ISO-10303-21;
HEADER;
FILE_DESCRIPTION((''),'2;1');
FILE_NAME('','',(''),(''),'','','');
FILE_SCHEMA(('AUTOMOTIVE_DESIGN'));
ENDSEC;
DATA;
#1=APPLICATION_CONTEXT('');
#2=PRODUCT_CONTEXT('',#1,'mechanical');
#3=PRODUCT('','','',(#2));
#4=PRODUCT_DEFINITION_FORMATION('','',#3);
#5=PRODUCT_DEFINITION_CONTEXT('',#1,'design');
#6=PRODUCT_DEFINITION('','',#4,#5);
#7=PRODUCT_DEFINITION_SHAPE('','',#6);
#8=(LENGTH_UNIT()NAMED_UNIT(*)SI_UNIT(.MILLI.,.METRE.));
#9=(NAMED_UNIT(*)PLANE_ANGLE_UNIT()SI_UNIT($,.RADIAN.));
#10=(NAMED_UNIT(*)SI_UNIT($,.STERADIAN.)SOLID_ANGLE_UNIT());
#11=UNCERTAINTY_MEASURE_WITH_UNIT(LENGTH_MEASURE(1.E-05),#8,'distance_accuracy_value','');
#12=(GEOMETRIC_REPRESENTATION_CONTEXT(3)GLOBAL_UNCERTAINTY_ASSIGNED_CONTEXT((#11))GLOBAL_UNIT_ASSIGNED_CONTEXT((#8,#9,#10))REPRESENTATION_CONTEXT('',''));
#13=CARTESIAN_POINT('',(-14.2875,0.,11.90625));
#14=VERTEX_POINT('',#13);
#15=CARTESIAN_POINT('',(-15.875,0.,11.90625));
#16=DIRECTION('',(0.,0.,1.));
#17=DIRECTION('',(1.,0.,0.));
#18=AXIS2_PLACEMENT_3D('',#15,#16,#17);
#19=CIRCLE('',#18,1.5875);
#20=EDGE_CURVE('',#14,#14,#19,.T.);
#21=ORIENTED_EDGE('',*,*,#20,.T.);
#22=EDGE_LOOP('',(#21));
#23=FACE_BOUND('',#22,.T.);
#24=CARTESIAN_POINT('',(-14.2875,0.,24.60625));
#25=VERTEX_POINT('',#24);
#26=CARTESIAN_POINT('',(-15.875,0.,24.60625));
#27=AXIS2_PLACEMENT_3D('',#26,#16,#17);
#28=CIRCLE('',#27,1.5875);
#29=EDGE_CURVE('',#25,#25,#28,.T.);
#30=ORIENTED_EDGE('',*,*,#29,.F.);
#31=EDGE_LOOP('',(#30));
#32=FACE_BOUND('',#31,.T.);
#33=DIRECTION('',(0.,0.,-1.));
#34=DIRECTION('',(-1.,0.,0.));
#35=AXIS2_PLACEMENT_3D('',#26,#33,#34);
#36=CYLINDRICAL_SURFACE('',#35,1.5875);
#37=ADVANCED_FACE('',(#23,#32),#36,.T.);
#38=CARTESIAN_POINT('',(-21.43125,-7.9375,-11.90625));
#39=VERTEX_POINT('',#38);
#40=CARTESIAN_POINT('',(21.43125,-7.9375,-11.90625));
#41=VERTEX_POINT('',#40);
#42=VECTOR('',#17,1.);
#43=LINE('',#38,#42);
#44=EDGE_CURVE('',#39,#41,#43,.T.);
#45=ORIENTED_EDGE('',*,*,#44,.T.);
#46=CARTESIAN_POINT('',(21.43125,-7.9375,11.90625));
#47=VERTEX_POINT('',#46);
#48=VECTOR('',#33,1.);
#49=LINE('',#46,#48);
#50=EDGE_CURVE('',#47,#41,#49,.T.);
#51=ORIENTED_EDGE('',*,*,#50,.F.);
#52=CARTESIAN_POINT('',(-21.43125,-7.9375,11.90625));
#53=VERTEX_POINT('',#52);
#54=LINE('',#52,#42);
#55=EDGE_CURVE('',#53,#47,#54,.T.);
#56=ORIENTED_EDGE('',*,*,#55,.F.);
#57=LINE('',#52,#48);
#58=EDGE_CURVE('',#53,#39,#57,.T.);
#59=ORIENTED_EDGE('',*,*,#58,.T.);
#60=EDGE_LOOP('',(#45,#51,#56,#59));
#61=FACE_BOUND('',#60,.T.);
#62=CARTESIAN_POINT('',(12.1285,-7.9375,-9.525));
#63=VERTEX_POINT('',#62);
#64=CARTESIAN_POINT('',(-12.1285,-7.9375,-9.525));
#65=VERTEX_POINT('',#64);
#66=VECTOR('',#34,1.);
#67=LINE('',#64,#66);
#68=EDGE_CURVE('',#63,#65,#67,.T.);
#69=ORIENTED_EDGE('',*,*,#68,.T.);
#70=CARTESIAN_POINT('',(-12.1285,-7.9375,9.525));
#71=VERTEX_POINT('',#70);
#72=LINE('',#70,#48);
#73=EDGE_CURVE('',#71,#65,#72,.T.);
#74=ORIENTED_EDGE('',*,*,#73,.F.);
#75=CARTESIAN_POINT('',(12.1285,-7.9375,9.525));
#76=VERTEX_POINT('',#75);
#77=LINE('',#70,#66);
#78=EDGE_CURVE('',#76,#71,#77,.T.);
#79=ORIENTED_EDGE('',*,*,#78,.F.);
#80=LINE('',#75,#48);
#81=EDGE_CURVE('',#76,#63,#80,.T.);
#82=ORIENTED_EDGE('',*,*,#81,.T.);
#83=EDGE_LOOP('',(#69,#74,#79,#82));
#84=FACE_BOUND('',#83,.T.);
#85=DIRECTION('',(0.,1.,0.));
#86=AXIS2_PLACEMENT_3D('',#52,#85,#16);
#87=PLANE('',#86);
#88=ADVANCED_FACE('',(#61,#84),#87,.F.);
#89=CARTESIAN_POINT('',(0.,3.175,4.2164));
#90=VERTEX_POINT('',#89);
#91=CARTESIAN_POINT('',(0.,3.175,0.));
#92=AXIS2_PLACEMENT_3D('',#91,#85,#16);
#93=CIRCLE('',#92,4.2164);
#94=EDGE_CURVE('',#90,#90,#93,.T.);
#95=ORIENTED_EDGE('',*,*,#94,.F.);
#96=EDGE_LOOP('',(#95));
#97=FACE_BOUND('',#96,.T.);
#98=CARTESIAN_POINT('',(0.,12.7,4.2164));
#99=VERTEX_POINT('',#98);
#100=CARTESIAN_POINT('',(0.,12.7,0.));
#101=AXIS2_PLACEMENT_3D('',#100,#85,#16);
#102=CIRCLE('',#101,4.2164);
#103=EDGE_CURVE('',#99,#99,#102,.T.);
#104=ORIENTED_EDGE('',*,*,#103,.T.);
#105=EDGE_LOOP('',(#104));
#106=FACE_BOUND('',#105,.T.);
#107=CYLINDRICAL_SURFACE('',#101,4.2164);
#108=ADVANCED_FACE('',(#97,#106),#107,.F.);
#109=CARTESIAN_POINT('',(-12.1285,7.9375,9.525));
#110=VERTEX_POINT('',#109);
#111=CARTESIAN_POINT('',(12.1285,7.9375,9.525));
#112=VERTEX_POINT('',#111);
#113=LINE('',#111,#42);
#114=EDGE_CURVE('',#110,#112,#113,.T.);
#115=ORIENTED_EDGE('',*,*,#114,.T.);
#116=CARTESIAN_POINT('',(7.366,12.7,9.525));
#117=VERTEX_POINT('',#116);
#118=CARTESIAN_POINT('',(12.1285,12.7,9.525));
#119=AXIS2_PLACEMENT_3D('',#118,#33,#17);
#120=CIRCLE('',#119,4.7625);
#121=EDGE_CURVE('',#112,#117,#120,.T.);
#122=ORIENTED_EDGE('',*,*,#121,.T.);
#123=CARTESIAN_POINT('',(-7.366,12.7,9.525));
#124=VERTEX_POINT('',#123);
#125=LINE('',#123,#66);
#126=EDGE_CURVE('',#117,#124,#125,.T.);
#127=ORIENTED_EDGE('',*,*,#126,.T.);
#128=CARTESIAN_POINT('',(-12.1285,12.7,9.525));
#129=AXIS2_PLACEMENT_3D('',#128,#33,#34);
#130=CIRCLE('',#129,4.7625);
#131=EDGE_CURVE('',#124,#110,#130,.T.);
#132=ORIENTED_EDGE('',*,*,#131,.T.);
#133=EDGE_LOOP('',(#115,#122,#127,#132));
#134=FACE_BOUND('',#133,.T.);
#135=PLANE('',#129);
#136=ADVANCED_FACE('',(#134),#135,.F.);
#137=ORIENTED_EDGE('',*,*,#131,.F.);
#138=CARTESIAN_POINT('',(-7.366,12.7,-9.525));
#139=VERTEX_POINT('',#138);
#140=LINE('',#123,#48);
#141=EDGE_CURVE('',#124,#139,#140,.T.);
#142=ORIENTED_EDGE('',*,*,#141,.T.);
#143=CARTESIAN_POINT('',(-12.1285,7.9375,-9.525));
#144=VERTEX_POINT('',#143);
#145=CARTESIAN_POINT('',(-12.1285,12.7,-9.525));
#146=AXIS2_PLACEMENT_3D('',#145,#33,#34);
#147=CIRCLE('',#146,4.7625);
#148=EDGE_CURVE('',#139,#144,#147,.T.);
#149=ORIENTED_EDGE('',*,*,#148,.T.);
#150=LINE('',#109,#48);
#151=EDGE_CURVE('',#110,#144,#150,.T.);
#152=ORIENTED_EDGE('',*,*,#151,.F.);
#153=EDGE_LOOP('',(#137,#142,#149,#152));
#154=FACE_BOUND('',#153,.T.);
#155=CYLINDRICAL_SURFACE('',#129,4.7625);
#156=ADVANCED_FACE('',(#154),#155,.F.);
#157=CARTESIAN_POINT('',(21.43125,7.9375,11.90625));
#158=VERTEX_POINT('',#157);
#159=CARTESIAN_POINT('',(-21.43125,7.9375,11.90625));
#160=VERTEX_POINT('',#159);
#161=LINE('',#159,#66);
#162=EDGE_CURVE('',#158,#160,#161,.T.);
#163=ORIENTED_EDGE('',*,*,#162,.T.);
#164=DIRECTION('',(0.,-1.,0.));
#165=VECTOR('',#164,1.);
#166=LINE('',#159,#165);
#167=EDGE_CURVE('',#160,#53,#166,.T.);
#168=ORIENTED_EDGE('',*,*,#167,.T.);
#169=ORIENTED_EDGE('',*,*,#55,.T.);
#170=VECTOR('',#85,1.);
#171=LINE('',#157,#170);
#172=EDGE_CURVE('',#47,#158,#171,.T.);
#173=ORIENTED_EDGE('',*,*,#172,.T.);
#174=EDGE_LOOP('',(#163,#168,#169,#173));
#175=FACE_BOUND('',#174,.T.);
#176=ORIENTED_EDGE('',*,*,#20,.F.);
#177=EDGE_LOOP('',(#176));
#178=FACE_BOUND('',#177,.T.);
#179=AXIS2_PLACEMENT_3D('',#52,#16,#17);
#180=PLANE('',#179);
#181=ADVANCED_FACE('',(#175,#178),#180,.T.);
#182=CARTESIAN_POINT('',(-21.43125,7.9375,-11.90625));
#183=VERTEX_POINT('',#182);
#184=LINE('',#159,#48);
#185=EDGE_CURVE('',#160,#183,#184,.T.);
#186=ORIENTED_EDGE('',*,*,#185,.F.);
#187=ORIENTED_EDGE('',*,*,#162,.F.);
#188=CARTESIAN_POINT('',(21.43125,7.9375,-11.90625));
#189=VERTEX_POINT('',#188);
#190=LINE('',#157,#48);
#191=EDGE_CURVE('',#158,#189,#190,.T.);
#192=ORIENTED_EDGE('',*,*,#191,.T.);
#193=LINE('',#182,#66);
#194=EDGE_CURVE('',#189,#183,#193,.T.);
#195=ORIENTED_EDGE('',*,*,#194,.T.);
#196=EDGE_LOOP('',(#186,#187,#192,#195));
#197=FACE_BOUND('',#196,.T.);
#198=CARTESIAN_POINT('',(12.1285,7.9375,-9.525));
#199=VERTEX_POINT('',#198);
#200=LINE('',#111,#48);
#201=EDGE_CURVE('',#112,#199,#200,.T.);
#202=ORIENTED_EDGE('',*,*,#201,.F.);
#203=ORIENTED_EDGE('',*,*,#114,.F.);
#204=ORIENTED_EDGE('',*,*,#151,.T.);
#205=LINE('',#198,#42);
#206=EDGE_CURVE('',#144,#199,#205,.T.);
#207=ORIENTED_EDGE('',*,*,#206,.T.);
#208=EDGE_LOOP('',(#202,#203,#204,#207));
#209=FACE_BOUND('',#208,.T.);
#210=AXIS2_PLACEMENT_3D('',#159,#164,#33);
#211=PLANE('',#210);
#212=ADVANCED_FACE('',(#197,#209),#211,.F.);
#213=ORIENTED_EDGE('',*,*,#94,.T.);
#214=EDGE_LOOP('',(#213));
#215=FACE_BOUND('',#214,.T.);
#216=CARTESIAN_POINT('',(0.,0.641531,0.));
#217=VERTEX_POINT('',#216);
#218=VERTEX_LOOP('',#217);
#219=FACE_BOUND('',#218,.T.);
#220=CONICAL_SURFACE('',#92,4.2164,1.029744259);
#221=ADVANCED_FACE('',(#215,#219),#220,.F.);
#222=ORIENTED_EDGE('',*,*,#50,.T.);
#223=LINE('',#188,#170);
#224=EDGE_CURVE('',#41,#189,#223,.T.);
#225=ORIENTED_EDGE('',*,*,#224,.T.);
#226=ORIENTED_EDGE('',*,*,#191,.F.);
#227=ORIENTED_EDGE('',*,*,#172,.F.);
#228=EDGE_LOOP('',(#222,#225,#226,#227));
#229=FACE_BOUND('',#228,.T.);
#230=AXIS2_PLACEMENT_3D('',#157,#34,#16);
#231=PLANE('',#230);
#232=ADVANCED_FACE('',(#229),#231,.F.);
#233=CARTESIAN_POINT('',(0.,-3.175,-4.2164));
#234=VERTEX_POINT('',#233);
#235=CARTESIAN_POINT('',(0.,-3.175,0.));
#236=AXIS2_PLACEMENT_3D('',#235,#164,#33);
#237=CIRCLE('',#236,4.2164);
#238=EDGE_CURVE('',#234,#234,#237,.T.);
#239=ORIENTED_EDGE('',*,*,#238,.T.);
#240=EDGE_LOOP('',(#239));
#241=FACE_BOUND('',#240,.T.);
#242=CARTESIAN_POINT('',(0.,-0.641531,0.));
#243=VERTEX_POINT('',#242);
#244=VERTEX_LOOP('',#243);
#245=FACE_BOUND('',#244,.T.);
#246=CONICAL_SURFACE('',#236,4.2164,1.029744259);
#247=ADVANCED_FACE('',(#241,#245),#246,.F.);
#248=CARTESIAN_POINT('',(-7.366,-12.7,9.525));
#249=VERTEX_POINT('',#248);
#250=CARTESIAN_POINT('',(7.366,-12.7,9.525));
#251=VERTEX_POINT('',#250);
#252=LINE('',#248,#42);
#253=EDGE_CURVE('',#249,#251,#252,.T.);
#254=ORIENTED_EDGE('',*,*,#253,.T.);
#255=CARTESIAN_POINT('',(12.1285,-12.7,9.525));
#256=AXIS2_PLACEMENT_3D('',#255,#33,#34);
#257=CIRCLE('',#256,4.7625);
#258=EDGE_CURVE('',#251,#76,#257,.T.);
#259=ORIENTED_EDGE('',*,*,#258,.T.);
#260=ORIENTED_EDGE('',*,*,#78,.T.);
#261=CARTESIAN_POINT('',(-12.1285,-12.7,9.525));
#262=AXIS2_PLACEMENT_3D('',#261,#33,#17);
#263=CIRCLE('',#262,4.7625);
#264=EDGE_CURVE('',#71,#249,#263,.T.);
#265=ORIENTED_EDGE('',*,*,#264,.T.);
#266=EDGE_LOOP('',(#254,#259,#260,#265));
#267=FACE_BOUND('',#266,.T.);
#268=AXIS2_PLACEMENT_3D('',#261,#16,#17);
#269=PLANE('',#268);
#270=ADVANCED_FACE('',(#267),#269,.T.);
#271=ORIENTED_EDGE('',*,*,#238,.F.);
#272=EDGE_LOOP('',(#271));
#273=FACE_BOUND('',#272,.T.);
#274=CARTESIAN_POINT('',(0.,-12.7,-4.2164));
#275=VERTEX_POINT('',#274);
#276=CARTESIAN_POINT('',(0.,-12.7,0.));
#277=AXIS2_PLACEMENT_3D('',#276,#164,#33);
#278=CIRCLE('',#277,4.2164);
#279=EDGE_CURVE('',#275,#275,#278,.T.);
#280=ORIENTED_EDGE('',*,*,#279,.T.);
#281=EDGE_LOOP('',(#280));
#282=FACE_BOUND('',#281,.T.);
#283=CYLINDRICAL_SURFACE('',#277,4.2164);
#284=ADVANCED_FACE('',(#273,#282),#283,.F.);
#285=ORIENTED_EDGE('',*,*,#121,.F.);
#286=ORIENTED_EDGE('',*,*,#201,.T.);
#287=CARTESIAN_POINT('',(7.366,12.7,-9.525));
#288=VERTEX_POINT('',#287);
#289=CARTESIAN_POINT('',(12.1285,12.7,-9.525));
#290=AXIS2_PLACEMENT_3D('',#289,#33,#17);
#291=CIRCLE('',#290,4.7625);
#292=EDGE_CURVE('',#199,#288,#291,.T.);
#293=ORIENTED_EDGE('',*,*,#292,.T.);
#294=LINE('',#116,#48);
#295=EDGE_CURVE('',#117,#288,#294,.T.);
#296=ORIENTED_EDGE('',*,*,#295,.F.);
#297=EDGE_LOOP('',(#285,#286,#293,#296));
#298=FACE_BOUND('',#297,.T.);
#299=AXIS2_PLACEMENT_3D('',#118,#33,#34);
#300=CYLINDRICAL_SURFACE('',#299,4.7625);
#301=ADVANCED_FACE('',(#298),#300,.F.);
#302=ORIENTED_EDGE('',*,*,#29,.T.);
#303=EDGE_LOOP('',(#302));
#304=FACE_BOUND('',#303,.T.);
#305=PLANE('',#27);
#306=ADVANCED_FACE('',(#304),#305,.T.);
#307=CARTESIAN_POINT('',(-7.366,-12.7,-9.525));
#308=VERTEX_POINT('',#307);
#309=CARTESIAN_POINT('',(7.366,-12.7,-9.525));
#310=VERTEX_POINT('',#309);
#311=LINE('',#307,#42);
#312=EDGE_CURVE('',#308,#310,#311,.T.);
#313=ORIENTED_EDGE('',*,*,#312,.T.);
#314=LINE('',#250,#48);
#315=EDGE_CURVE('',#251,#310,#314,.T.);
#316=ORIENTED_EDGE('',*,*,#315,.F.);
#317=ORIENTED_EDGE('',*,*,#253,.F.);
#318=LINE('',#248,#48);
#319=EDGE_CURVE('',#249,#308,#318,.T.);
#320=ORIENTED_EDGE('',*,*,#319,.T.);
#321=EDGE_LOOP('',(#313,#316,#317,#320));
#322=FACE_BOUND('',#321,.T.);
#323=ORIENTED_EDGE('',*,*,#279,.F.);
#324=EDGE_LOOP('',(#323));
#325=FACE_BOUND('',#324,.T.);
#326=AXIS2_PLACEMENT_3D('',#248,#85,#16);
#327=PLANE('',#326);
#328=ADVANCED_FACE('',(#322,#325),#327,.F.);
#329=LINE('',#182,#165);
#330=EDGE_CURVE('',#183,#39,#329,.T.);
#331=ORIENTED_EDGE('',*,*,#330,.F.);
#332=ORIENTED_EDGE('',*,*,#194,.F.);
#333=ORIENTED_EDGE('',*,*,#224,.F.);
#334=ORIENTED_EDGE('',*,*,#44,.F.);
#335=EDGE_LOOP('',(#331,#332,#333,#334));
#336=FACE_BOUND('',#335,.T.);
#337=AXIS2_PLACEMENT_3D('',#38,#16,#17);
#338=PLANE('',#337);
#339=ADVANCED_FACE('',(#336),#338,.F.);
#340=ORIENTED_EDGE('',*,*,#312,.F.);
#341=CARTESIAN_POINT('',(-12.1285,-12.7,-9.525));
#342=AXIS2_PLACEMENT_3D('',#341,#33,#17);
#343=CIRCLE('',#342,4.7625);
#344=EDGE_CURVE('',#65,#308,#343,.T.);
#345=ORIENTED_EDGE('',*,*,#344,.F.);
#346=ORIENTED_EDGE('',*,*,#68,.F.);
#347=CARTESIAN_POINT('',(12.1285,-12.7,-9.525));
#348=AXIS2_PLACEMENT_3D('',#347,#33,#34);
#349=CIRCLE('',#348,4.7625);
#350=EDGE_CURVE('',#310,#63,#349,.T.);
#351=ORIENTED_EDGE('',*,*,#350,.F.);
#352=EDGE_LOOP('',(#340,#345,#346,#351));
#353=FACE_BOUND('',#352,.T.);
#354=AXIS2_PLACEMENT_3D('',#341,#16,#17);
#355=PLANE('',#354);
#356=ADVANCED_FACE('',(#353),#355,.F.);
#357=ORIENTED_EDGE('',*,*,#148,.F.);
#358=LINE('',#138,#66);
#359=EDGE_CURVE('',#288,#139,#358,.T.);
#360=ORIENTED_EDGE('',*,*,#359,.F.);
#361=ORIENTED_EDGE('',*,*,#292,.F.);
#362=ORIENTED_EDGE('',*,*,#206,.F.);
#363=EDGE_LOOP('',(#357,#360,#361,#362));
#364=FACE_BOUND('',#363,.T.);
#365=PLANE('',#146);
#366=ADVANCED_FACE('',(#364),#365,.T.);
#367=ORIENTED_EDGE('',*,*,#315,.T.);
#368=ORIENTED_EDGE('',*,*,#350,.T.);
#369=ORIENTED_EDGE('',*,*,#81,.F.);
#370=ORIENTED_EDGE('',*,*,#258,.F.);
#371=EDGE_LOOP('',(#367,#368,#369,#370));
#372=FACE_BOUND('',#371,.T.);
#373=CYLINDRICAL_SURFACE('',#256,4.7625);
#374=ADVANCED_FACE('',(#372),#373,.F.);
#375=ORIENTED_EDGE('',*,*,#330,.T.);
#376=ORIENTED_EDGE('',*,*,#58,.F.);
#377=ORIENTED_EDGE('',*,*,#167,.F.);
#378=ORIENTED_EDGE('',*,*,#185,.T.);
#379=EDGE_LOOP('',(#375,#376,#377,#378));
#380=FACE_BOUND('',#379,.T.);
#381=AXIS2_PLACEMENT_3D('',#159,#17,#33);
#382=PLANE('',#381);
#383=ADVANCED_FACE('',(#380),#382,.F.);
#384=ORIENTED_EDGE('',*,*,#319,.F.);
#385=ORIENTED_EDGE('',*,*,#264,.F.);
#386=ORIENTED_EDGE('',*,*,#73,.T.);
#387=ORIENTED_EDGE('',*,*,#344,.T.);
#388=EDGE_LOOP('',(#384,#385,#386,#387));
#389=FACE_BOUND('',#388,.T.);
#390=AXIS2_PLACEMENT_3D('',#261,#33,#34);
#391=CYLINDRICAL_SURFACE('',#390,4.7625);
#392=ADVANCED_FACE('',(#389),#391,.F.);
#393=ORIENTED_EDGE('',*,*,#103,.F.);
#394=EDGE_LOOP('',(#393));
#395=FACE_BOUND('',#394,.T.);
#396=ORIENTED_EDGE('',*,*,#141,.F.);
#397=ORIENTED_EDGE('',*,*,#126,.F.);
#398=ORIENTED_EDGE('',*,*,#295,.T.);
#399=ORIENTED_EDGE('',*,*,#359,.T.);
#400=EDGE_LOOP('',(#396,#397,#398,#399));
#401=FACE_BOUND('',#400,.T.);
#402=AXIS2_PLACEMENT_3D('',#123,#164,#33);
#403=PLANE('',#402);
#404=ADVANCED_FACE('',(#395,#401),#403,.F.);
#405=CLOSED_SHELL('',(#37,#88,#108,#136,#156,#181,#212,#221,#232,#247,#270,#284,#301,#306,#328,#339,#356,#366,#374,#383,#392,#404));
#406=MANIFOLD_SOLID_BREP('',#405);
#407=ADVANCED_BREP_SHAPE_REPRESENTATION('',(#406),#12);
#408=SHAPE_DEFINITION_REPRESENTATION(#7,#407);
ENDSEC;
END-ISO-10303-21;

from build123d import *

# Parameters (mm, degrees)
SKETCH1_W                   = 42.8625
SKETCH1_H                   = 15.875
EXTRUDE1_DEPTH              = 11.90625
EXTRUDE2_DEPTH              = 9.525
F_3_8_24_TAPPED_HOLE1_D     = 8.4328
F_3_8_24_TAPPED_HOLE1_DEPTH = 9.525
F_3_8_24_TAPPED_HOLE1_TIP   = 2.533468714
F_3_8_24_TAPPED_HOLE2_D     = 8.4328
F_3_8_24_TAPPED_HOLE2_DEPTH = 9.525
F_3_8_24_TAPPED_HOLE2_TIP   = 2.533468714
SKETCH7_R                   = 1.5875
EXTRUDE3_DEPTH              = 12.7


with BuildPart() as part:
    # Sketch1 → Extrude1 (new, symmetric)
    with BuildSketch(Plane.XY):
        Rectangle(SKETCH1_W, SKETCH1_H)
    extrude(amount=EXTRUDE1_DEPTH, both=True)

    # Sketch2 → Extrude2 (add, symmetric)
    with BuildSketch(Plane.XY):
        with BuildLine():
            Line((-7.366, 12.7), (7.366, 12.7))
            ThreePointArc((7.366, 12.7), (8.760903955, 9.332403955), (12.1285, 7.9375))
            Line((12.1285, 7.9375), (-12.1285, 7.9375))
            ThreePointArc((-12.1285, 7.9375), (-8.760903955, 9.332403955), (-7.366, 12.7))
        make_face()
        with BuildLine():
            Line((-7.366, -12.7), (7.366, -12.7))
            ThreePointArc((7.366, -12.7), (8.760903955, -9.332403955), (12.1285, -7.9375))
            Line((12.1285, -7.9375), (-12.1285, -7.9375))
            ThreePointArc((-12.1285, -7.9375), (-8.760903955, -9.332403955), (-7.366, -12.7))
        make_face()
    extrude(amount=EXTRUDE2_DEPTH, both=True)

    # 3/8-24 Tapped Hole1
    with Locations(Plane(origin=(0, 12.7, 0), x_dir=(-1, 0, 0), z_dir=(0, 1, 0))):
        with Locations((0, 0)):
            Hole(F_3_8_24_TAPPED_HOLE1_D / 2, depth=F_3_8_24_TAPPED_HOLE1_DEPTH)
            with Locations((0, 0, -(F_3_8_24_TAPPED_HOLE1_DEPTH + F_3_8_24_TAPPED_HOLE1_TIP / 2))):  # 118° drill point
                Cone(0, F_3_8_24_TAPPED_HOLE1_D / 2, F_3_8_24_TAPPED_HOLE1_TIP, mode=Mode.SUBTRACT)

    # 3/8-24 Tapped Hole2
    with Locations(Plane.XZ.offset(12.7)):
        with Locations((0, 0)):
            Hole(F_3_8_24_TAPPED_HOLE2_D / 2, depth=F_3_8_24_TAPPED_HOLE2_DEPTH)
            with Locations((0, 0, -(F_3_8_24_TAPPED_HOLE2_DEPTH + F_3_8_24_TAPPED_HOLE2_TIP / 2))):  # 118° drill point
                Cone(0, F_3_8_24_TAPPED_HOLE2_D / 2, F_3_8_24_TAPPED_HOLE2_TIP, mode=Mode.SUBTRACT)

    # Sketch7 → Extrude3 (add)
    with BuildSketch(Plane.XY.offset(11.90625)):
        with Locations((-15.875, 0)):
            Circle(SKETCH7_R)
    extrude(amount=EXTRUDE3_DEPTH)


solid = part.part
